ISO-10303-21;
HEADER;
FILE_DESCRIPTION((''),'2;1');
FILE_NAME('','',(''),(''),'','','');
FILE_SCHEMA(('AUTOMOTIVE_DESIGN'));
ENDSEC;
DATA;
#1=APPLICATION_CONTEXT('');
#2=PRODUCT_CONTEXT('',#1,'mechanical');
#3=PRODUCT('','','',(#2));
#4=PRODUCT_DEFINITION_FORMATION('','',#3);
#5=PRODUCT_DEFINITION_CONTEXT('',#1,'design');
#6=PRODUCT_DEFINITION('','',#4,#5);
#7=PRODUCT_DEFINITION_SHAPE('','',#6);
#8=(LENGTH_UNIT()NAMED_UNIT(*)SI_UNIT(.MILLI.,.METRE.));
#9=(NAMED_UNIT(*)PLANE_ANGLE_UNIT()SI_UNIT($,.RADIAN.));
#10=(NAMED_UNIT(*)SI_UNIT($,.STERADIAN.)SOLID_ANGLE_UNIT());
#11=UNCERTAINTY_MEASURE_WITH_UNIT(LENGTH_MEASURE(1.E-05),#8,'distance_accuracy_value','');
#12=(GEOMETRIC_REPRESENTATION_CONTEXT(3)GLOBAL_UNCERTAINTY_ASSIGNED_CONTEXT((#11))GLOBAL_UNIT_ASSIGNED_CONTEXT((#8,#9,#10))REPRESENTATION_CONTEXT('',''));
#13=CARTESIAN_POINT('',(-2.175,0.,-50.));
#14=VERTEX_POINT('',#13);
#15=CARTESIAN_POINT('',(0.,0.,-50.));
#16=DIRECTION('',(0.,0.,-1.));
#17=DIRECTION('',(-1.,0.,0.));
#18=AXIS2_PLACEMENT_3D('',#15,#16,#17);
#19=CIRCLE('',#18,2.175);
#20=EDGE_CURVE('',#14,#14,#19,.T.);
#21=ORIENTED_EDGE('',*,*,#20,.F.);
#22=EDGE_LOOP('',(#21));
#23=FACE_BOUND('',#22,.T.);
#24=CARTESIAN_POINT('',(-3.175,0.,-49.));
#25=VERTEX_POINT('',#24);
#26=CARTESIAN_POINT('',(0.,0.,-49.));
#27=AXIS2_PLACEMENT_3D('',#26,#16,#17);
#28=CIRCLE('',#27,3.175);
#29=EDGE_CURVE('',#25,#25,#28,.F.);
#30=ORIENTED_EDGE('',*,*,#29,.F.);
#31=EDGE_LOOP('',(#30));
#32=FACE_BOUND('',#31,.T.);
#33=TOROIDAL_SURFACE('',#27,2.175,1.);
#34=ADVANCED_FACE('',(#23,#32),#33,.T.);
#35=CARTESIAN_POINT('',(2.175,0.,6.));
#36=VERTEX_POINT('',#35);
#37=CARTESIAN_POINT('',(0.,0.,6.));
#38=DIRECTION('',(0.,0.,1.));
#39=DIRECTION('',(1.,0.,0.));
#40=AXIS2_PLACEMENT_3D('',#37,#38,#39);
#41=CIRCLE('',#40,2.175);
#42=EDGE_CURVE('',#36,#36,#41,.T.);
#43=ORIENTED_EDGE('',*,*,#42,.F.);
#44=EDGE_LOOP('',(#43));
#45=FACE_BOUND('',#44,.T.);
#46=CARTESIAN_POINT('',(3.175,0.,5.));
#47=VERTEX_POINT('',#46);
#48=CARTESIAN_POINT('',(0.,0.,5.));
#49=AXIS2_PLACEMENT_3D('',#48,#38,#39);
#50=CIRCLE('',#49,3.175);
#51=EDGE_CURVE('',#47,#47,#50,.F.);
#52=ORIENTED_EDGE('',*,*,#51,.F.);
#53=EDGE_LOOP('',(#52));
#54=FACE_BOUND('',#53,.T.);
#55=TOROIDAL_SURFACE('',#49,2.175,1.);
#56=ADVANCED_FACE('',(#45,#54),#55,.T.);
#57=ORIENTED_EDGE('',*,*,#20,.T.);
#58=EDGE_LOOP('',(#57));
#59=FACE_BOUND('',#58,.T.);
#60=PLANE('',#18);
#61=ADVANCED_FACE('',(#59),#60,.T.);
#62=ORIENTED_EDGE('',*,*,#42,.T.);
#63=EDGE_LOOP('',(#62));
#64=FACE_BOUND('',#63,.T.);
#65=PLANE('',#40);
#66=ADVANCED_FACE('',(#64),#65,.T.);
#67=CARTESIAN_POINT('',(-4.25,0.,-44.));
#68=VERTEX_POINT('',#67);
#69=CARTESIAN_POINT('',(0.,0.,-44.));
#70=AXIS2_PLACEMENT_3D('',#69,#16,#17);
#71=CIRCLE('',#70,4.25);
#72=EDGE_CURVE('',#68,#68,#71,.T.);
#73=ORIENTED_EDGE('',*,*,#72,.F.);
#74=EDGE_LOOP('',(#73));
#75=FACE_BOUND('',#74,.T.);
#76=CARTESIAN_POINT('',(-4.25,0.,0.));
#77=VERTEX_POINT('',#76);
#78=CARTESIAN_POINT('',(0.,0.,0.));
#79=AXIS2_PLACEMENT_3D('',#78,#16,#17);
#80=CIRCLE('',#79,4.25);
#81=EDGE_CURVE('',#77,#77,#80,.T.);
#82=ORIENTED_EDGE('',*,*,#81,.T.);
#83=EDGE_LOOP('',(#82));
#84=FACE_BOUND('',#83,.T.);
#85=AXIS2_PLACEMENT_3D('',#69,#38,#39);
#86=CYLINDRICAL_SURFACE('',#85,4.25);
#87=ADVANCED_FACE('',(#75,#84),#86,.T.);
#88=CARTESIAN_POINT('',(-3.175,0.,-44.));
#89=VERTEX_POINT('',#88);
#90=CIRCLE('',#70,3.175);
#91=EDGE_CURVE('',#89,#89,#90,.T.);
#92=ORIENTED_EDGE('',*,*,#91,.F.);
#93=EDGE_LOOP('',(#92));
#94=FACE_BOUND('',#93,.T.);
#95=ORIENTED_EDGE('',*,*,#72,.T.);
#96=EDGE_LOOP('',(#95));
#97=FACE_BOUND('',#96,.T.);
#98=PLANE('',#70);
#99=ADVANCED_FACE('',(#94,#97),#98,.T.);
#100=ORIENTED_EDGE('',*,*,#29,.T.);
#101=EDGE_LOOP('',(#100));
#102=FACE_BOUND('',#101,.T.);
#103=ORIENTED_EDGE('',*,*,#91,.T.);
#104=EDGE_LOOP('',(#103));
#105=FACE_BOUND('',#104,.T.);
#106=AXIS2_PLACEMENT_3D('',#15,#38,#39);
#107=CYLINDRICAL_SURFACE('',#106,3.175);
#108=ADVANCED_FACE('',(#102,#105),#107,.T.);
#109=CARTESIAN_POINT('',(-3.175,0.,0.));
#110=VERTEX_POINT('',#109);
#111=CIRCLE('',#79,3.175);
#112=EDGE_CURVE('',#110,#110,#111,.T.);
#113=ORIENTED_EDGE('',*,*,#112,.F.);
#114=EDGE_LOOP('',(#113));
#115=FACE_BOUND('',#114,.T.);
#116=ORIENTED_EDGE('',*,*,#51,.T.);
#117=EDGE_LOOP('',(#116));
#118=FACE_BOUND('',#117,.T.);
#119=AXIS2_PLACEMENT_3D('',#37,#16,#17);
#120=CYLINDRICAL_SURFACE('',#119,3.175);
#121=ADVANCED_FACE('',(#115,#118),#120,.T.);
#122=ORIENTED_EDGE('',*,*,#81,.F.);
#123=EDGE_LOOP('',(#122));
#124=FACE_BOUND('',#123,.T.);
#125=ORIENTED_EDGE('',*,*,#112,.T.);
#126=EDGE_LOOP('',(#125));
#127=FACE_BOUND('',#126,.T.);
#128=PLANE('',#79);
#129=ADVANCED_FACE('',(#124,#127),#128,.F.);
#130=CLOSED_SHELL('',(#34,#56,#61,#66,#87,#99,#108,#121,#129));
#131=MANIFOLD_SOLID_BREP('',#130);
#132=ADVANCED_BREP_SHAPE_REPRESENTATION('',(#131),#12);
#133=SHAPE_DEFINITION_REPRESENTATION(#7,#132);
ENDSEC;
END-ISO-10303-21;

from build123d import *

# Parameters (mm, degrees)
SKETCH1_R           = 3.175
BOSS_EXTRUDE1_DEPTH = 6
SKETCH2_R           = 4.25
BOSS_EXTRUDE2_DEPTH = 44
SKETCH3_R           = 3.175
BOSS_EXTRUDE3_DEPTH = 6
FILLET1_R           = 1


with BuildPart() as part:
    # Sketch1 → Boss-Extrude1 (new body)
    with BuildSketch(Plane.XY):
        Circle(SKETCH1_R)
    extrude(amount=BOSS_EXTRUDE1_DEPTH)

    # Sketch2 → Boss-Extrude2 (add)
    with BuildSketch(Plane(origin=(0, 0, 0), x_dir=(-1, 0, 0), z_dir=(0, 0, -1))):
        Circle(SKETCH2_R)
    extrude(amount=BOSS_EXTRUDE2_DEPTH)

    # Sketch3 → Boss-Extrude3 (add)
    with BuildSketch(Plane(origin=(0, 0, -44), x_dir=(-1, 0, 0), z_dir=(0, 0, -1))):
        Circle(SKETCH3_R)
    extrude(amount=BOSS_EXTRUDE3_DEPTH)

    # Fillet1
    fillet1_edges = [part.edges().sort_by_distance(p)[0] for p in [
        (3.175, 0, -50),
        (-3.175, 0, 6),
    ]]
    fillet(fillet1_edges, radius=FILLET1_R)


solid = part.part
